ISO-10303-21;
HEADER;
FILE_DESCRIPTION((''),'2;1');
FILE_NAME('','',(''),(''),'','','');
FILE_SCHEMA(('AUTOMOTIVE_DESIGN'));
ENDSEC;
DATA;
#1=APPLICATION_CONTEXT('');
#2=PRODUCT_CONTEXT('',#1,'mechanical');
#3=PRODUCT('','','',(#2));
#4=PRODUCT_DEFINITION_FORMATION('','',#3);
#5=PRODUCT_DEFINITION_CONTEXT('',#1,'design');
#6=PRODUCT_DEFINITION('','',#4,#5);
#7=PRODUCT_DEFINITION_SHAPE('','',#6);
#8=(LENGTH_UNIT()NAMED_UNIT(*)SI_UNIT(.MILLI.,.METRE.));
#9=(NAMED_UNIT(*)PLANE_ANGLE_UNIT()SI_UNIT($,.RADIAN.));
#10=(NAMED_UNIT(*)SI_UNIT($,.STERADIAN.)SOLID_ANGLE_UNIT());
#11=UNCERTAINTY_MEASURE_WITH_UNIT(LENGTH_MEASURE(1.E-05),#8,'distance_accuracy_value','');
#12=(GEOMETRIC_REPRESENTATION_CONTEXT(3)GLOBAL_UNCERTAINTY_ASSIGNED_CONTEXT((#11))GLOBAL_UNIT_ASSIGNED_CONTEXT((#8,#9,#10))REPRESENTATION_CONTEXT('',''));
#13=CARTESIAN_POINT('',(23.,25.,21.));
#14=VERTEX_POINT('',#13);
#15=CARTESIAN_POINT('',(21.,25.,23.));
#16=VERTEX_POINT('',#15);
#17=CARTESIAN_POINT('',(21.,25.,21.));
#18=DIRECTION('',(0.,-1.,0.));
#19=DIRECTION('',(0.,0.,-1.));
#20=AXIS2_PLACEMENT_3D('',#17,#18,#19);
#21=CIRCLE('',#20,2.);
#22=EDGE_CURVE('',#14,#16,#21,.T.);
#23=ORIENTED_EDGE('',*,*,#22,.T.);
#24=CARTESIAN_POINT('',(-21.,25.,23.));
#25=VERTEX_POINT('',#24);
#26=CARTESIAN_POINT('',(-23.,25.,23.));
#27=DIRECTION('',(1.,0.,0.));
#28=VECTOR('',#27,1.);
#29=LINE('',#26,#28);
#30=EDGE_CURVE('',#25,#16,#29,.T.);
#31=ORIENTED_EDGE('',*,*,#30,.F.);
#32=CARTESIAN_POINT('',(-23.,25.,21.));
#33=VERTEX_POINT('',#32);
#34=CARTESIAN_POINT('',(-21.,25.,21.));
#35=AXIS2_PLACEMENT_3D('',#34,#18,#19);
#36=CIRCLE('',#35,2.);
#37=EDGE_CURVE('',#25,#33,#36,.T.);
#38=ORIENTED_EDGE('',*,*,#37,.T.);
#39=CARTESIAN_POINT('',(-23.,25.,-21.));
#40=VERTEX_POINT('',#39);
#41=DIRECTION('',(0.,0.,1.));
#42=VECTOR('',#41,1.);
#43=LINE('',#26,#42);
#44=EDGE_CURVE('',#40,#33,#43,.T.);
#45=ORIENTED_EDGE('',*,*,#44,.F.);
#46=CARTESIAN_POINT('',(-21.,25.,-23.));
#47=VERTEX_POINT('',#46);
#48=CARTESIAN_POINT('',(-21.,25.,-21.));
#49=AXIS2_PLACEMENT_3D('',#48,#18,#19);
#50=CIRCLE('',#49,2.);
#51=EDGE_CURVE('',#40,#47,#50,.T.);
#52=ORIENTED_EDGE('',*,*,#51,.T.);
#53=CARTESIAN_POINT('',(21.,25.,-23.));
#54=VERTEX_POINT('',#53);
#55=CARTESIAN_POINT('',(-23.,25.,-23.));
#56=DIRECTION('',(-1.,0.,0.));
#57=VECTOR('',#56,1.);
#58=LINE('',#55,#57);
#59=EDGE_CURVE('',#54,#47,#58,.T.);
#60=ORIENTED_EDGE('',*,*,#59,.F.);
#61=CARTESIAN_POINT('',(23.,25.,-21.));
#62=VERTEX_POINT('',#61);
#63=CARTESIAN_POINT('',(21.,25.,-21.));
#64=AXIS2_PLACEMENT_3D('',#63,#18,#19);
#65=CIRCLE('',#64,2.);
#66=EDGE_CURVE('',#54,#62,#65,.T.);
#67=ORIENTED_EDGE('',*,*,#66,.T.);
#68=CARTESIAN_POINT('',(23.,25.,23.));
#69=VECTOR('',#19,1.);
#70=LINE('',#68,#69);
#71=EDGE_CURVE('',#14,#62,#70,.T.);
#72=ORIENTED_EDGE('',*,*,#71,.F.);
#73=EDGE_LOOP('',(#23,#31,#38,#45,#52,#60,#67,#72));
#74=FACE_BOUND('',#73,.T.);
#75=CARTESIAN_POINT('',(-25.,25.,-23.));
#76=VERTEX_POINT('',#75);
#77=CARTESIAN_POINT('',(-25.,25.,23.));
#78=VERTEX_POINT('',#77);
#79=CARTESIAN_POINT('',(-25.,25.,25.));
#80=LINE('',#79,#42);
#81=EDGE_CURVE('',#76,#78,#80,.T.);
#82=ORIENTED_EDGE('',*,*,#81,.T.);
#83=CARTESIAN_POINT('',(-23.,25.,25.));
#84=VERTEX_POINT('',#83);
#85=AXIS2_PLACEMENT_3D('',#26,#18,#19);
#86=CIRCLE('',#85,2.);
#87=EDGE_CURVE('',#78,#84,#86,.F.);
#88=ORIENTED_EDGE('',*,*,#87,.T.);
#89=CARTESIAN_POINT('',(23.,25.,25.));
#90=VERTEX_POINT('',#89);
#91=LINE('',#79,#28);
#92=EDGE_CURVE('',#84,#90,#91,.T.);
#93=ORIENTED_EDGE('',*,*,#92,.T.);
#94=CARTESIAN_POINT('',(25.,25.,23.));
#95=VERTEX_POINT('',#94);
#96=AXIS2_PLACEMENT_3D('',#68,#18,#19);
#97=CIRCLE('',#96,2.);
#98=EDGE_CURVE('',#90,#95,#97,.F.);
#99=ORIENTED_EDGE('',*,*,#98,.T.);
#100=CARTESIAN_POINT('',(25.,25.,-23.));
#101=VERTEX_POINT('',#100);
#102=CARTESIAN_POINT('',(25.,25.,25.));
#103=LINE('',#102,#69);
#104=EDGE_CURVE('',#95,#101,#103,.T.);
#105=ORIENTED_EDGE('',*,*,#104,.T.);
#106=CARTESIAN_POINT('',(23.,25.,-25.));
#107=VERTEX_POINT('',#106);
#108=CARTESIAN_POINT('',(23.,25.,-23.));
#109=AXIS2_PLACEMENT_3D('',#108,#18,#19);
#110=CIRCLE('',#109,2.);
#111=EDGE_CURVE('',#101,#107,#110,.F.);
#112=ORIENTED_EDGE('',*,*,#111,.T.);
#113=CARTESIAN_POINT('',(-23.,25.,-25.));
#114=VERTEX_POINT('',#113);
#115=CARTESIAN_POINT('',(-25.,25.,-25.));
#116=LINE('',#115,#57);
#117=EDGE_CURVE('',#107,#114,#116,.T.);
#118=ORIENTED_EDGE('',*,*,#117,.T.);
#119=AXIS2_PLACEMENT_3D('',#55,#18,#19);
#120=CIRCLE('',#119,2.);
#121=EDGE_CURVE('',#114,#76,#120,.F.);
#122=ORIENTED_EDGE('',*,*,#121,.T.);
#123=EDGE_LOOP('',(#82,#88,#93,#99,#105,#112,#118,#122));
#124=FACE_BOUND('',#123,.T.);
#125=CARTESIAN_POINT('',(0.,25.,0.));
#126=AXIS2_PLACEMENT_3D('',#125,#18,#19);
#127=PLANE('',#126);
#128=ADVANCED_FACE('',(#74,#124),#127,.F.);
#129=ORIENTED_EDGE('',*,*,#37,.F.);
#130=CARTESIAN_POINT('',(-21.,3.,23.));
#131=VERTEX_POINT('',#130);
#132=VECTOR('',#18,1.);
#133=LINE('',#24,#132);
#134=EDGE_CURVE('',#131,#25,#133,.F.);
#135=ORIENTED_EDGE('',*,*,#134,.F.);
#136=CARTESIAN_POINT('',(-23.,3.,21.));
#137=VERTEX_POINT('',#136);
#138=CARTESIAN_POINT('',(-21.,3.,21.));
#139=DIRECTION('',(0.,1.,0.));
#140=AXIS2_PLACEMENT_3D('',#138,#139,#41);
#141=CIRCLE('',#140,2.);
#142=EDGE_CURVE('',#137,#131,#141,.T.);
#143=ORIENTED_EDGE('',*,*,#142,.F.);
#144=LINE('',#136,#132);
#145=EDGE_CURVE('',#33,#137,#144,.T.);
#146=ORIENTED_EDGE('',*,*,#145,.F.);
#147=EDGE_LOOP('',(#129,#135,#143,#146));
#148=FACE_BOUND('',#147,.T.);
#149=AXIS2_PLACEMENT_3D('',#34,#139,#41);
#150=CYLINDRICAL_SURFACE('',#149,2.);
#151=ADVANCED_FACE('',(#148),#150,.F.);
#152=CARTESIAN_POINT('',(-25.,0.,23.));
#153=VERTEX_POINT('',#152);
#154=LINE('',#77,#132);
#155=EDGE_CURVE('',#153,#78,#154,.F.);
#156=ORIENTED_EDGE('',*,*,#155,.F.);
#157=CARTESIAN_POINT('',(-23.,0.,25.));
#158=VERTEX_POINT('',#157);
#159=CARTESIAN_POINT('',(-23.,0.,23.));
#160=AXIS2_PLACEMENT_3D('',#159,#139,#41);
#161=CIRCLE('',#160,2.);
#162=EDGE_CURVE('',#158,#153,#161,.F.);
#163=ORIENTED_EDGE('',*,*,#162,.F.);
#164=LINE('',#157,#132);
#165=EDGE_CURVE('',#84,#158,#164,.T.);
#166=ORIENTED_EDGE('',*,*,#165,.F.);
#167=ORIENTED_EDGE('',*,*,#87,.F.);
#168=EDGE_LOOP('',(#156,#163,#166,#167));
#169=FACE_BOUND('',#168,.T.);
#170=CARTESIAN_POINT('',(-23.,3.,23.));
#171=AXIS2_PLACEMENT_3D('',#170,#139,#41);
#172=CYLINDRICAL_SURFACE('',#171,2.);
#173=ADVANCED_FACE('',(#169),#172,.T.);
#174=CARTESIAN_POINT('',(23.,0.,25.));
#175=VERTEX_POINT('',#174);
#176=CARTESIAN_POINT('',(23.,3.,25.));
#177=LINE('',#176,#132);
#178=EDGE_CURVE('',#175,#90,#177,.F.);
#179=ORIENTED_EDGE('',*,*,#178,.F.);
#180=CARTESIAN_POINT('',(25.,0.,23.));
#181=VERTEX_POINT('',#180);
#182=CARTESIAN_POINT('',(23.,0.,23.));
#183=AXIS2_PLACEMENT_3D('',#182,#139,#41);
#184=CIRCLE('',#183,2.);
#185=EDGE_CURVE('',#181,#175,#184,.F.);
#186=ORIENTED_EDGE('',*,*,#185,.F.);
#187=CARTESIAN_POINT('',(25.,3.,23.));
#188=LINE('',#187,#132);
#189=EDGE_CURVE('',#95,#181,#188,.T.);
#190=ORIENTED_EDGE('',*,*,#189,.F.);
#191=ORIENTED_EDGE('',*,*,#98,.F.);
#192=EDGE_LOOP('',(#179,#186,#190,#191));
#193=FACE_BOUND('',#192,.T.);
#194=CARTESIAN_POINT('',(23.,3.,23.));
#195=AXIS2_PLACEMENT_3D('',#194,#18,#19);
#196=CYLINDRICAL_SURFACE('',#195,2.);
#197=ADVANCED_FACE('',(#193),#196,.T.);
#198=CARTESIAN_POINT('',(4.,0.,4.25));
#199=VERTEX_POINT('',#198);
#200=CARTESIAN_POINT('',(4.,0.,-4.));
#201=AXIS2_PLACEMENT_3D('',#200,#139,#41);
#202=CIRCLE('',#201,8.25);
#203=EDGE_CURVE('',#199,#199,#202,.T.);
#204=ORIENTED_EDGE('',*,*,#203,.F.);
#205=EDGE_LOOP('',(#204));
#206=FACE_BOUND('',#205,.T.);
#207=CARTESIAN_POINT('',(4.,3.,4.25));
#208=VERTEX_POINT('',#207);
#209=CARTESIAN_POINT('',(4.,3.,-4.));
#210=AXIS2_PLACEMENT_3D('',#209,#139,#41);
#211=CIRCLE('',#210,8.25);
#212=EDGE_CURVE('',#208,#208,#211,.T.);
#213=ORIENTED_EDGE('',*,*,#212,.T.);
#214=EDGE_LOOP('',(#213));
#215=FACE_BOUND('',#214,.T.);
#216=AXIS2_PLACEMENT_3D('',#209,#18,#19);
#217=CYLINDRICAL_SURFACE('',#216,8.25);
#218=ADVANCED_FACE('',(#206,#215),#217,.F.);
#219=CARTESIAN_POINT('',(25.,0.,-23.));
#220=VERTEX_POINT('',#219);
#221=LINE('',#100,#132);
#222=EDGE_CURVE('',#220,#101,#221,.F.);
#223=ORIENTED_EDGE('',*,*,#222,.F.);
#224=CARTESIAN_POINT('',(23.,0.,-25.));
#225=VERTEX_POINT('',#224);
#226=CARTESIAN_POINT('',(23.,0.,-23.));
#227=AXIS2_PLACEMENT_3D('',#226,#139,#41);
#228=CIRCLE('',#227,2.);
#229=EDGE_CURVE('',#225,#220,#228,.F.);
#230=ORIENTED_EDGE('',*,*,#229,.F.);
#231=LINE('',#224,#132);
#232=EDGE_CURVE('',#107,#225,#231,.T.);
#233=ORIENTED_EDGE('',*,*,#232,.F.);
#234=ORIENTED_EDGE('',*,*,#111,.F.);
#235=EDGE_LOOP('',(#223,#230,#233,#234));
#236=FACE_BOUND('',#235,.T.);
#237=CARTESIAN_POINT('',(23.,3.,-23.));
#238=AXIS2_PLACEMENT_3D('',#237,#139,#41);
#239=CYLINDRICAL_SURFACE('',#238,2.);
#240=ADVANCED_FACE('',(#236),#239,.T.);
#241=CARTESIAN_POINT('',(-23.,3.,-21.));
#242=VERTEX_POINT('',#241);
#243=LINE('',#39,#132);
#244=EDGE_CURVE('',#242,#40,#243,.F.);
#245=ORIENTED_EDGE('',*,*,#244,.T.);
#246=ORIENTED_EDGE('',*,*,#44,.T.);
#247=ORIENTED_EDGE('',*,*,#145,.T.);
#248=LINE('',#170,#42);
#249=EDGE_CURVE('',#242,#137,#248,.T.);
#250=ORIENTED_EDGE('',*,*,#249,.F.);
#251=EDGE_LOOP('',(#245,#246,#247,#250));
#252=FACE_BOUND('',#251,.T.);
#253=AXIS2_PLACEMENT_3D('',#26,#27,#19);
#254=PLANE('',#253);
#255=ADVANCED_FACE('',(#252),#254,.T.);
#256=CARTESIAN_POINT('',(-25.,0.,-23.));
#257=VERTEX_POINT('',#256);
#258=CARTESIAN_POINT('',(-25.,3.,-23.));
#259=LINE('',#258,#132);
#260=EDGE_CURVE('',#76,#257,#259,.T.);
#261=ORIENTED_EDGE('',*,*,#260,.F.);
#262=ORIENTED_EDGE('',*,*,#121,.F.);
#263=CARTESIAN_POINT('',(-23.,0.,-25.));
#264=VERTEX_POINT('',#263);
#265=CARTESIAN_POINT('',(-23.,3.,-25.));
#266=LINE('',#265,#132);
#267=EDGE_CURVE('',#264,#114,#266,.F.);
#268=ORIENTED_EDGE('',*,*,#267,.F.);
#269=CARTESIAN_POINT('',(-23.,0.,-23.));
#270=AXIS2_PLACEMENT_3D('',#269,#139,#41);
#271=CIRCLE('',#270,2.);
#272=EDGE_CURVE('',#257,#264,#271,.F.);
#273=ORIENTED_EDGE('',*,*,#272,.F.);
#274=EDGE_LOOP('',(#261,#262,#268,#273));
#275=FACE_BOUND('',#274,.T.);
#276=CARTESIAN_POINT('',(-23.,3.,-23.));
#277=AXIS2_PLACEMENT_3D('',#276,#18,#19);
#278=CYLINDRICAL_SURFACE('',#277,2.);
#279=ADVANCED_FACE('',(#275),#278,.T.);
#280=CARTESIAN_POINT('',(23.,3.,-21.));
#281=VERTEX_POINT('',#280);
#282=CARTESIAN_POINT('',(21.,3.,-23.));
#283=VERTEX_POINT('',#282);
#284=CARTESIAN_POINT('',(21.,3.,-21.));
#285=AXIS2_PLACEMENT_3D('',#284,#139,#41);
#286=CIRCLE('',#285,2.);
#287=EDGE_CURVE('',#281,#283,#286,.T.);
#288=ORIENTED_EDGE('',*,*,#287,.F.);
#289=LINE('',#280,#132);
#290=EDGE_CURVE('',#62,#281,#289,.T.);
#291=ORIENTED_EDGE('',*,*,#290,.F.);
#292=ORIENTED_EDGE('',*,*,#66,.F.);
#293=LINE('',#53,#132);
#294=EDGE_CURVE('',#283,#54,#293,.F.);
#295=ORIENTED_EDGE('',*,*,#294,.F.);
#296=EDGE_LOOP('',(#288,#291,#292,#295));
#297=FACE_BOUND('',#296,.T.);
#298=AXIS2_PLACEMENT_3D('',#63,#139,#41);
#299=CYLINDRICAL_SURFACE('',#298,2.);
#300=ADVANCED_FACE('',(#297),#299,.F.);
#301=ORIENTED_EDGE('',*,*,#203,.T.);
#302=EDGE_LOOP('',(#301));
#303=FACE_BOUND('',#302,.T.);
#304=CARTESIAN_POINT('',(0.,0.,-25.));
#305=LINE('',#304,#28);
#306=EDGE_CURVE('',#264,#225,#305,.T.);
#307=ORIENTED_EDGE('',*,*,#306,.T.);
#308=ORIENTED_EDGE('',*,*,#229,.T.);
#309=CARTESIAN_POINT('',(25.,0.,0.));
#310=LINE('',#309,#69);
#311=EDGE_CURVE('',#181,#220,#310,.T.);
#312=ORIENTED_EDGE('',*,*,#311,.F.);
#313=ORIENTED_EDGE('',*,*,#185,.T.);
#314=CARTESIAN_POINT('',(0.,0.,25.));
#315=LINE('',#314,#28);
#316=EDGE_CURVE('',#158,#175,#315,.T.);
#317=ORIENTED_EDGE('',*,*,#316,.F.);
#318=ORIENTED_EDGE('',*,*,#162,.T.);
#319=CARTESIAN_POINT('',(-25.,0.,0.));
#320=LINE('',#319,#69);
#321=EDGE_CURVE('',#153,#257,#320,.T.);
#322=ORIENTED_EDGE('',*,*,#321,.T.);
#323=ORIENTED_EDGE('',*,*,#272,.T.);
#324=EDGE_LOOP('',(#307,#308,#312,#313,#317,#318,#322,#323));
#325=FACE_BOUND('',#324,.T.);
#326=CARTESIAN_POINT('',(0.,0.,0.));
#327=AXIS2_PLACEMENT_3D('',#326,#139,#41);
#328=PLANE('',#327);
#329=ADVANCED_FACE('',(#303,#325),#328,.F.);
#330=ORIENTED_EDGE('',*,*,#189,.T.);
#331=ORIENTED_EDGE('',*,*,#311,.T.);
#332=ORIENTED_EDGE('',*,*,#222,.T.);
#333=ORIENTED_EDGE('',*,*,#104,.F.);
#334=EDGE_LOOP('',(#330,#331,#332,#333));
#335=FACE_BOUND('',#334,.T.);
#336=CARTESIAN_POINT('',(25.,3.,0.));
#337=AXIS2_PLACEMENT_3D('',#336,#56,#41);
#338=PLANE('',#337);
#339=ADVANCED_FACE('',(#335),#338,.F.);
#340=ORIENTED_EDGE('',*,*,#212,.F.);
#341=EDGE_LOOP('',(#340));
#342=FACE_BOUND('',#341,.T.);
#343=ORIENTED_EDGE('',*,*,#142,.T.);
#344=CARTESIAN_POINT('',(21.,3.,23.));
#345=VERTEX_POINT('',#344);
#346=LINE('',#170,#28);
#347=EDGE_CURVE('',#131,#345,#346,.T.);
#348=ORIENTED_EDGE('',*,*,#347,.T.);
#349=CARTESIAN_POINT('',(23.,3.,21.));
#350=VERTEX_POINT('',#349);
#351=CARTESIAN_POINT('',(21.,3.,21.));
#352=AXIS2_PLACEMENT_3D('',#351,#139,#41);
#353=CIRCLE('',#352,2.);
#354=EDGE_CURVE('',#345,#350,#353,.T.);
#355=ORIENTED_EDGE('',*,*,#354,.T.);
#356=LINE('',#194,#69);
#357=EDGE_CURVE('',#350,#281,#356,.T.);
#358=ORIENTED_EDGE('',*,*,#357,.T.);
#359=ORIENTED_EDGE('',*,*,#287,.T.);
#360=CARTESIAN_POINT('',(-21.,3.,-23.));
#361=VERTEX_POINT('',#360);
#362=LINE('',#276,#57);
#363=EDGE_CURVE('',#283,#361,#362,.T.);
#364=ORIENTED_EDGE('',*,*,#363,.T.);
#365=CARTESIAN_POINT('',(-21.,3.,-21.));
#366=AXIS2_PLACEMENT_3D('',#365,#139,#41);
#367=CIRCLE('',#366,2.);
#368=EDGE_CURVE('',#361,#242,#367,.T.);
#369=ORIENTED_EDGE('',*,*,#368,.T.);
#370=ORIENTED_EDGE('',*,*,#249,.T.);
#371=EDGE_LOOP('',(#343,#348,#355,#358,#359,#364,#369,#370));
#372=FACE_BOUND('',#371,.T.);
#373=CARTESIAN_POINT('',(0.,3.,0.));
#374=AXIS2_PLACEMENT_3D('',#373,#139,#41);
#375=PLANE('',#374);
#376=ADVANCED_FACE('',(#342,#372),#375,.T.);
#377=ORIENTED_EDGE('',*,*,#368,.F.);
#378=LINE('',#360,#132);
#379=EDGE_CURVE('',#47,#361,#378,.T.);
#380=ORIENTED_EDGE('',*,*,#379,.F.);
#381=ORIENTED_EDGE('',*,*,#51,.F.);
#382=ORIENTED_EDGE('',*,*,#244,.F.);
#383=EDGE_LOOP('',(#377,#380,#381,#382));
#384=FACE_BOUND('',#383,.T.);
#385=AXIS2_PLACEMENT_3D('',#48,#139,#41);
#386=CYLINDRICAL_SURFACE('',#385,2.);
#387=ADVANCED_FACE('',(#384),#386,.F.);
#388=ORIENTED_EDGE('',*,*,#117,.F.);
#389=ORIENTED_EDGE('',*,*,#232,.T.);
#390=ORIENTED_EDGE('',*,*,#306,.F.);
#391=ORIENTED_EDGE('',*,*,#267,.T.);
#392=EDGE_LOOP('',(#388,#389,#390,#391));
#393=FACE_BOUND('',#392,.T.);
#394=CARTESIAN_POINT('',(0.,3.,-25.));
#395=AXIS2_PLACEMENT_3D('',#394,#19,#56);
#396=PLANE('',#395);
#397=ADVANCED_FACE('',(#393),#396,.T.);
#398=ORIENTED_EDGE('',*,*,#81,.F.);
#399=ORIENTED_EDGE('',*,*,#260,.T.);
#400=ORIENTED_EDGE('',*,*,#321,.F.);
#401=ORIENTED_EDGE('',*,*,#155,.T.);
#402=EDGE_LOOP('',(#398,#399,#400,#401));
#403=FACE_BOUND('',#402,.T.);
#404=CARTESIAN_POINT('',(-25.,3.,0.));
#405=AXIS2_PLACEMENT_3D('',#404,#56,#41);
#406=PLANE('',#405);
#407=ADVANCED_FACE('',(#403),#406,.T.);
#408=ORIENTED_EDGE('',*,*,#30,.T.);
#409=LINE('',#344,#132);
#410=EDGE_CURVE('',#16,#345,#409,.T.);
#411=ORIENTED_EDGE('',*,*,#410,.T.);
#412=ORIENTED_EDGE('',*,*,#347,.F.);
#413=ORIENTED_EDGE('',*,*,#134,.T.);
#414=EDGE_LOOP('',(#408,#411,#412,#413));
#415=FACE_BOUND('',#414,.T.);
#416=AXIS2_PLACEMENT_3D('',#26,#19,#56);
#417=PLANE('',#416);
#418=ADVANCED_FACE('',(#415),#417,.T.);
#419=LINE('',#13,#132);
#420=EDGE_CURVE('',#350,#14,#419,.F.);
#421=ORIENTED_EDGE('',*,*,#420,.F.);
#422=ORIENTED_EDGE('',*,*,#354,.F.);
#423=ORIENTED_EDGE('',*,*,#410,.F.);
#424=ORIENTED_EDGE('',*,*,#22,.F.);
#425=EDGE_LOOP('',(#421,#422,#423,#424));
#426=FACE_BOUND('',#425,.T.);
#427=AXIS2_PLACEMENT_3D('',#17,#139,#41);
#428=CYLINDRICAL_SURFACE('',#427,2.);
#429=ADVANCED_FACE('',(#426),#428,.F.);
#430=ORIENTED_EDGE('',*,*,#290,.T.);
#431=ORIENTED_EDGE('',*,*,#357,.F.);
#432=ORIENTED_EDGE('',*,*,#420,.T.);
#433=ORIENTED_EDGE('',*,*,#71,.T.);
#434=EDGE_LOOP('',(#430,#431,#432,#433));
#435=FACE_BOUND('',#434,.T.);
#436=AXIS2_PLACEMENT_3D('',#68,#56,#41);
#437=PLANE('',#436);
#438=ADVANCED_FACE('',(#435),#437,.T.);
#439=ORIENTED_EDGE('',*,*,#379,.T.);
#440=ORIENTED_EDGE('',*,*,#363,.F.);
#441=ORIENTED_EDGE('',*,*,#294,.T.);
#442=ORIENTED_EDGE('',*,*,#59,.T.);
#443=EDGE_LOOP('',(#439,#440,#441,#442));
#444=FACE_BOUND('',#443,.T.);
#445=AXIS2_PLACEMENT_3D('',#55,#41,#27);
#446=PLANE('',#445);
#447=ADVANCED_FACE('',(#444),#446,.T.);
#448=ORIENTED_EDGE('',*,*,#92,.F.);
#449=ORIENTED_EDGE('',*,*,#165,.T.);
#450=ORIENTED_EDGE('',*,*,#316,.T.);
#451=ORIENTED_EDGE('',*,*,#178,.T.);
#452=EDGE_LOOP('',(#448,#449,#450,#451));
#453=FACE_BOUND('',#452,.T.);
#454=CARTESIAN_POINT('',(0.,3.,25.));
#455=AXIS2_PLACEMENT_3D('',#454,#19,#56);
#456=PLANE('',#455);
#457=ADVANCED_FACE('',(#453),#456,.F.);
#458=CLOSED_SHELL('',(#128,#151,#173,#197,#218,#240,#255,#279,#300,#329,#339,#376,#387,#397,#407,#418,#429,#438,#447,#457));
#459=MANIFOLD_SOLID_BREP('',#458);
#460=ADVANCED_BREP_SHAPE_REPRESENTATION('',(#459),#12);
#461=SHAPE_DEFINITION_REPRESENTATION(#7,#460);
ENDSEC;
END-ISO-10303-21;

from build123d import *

# Parameters (mm, degrees)
SZKIC3_W                    = 50
SZKIC3_H                    = 50
SZKIC3_R                    = 18
SZKIC3_R_2                  = 8.25
DODANIE_WYCI_GNI_CIE2_DEPTH = 3
SZKIC4_W                    = 50
SZKIC4_H                    = 50
SZKIC4_W_2                  = 46
SZKIC4_H_2                  = 46
DODANIE_WYCI_GNI_CIE3_DEPTH = 22
ZAOKR_GLENIE1_R             = 2


with BuildPart() as part:
    # Szkic3 → Dodanie-wyciągnięcie2 (new body)
    with BuildSketch(Plane(origin=(0, 0, 0), x_dir=(1, 0, 0), z_dir=(0, 1, 0))):
        Rectangle(SZKIC3_W, SZKIC3_H)
        with Locations((4, 4)):
            Circle(SZKIC3_R, mode=Mode.SUBTRACT)
        with Locations((4, 4)):
            Circle(SZKIC3_R)
        with Locations((4, 4)):
            Circle(SZKIC3_R_2, mode=Mode.SUBTRACT)
    extrude(amount=DODANIE_WYCI_GNI_CIE2_DEPTH)

    # Szkic4 → Dodanie-wyciągnięcie3 (add)
    with BuildSketch(Plane(origin=(0, 3, 0), x_dir=(1, 0, 0), z_dir=(0, 1, 0))):
        Rectangle(SZKIC4_W, SZKIC4_H)
        Rectangle(SZKIC4_W_2, SZKIC4_H_2, mode=Mode.SUBTRACT)
    extrude(amount=DODANIE_WYCI_GNI_CIE3_DEPTH)

    # Zaokrąglenie1
    zaokr_glenie1_edges = [part.edges().sort_by_distance(p)[0] for p in [
        (-25, 12.5, 25),
        (-25, 12.5, -25),
        (25, 12.5, -25),
        (25, 12.5, 25),
        (23, 14, -23),
        (-23, 14, -23),
        (-23, 14, 23),
        (23, 14, 23),
    ]]
    fillet(zaokr_glenie1_edges, radius=ZAOKR_GLENIE1_R)


solid = part.part
